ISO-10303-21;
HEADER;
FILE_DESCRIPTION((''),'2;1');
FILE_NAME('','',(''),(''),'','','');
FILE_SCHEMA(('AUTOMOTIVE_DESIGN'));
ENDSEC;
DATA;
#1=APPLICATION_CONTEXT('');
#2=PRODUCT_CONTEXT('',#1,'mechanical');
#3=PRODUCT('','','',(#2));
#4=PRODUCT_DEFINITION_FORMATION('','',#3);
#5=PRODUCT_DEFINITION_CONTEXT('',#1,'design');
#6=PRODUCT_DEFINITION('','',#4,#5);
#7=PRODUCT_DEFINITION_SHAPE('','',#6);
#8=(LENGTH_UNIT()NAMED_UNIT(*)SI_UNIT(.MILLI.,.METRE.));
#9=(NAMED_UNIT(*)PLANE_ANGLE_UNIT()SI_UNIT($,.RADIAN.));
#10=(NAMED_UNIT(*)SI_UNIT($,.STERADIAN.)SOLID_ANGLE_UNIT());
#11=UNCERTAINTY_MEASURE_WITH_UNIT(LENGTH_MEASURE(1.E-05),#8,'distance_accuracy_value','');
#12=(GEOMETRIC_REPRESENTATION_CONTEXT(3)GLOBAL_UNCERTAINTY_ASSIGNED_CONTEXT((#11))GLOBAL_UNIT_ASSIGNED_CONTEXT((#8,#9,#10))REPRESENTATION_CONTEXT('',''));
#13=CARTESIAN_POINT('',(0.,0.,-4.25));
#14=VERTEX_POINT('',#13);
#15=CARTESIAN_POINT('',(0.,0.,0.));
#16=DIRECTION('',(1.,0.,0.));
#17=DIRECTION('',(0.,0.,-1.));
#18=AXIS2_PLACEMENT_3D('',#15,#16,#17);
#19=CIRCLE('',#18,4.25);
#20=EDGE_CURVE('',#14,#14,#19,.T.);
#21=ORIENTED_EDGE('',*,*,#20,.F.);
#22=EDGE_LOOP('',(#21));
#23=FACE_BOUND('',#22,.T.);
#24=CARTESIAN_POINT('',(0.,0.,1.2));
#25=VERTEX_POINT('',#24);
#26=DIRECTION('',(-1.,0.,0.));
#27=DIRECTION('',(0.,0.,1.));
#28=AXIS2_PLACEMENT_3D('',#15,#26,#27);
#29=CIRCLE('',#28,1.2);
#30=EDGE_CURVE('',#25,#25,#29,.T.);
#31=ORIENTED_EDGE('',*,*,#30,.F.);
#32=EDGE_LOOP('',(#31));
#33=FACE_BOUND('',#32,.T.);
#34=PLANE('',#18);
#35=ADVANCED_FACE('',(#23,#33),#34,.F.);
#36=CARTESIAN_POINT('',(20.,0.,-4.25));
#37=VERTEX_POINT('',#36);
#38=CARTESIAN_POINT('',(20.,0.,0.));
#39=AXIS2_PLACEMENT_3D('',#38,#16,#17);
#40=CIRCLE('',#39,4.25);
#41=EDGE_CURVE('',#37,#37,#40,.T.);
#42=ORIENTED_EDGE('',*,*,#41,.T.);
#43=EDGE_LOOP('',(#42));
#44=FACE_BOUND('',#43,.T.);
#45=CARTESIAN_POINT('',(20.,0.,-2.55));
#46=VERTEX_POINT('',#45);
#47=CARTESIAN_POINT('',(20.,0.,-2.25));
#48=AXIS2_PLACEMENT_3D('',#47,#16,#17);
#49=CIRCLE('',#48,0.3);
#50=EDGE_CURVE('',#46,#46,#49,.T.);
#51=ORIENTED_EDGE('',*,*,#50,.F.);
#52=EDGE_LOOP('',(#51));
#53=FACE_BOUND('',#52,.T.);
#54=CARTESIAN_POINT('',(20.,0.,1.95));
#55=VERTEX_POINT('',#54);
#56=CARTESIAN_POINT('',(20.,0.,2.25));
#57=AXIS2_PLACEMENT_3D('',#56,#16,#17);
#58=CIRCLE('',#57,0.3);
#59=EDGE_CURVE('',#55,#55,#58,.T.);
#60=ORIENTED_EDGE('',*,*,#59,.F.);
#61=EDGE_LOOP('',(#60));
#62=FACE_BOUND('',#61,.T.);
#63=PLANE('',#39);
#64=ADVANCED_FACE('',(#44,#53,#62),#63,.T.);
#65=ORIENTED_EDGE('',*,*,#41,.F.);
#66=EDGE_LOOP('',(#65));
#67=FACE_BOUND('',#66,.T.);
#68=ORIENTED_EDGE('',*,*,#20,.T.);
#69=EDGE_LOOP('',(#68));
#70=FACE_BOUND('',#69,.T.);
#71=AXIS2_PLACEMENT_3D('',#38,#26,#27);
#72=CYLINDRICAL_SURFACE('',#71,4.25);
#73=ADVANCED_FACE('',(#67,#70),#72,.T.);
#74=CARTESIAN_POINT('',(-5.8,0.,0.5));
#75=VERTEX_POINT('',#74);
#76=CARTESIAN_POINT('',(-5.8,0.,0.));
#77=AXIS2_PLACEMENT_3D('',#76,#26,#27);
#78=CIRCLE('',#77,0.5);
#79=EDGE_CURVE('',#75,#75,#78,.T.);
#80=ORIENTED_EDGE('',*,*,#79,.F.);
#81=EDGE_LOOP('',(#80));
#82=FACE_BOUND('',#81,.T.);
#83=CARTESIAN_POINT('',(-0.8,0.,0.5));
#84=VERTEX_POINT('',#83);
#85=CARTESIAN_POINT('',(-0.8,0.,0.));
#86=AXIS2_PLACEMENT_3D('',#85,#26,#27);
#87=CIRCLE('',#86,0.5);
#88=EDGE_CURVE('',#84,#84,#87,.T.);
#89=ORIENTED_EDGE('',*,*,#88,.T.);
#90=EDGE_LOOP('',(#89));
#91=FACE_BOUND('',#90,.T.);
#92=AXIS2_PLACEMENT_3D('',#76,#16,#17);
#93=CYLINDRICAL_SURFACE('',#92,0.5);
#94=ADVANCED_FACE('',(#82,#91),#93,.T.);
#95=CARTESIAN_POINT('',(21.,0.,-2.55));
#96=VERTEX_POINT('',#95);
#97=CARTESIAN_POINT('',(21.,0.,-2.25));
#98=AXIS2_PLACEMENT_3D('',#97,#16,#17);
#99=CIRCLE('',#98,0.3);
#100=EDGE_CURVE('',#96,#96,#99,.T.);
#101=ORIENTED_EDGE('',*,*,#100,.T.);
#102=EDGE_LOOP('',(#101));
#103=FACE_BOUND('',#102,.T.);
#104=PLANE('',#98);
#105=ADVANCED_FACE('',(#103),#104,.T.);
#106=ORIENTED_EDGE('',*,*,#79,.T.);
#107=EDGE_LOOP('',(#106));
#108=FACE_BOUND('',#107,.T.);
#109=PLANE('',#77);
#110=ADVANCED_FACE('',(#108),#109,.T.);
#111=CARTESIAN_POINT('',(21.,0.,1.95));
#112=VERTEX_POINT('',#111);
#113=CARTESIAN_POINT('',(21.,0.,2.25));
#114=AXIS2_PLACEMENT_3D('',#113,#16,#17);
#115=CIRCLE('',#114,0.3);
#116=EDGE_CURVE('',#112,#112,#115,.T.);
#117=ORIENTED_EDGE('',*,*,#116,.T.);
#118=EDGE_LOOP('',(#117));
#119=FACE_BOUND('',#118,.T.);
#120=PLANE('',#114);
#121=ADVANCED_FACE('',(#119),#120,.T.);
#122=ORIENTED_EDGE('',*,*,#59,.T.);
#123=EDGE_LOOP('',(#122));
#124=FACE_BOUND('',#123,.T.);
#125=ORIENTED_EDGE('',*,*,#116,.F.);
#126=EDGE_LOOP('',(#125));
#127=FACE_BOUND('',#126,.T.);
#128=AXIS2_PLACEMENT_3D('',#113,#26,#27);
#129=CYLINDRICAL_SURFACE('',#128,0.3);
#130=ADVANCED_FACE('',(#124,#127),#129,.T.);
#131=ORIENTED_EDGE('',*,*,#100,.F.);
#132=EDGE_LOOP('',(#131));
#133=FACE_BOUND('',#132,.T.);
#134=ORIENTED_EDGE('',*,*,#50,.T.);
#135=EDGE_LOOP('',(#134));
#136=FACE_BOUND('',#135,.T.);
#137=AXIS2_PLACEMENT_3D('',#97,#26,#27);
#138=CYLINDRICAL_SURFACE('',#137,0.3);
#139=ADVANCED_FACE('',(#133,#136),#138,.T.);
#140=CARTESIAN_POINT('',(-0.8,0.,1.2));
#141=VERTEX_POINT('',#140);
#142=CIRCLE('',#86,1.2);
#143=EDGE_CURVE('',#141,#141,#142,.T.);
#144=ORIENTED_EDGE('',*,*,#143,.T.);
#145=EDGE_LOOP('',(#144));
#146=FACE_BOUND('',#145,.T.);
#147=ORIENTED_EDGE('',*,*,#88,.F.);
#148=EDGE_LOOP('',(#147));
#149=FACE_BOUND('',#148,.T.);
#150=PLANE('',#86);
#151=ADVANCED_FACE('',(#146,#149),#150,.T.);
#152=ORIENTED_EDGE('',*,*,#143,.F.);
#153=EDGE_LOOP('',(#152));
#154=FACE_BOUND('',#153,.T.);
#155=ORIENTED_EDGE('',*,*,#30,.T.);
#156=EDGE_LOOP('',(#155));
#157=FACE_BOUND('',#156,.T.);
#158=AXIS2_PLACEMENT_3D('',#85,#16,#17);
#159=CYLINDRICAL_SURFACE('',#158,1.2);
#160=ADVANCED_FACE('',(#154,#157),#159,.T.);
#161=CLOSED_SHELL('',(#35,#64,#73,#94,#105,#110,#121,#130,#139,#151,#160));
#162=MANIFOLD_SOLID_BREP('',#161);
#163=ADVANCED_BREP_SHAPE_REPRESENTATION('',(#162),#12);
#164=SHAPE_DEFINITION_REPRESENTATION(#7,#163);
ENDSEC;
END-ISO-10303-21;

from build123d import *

# Parameters (mm, degrees)
SKETCH1_R           = 4.25
BOSS_EXTRUDE1_DEPTH = 20
SKETCH2_R           = 1.2
BOSS_EXTRUDE2_DEPTH = 0.8
SKETCH3_R           = 0.5
BOSS_EXTRUDE3_DEPTH = 5
SKETCH4_R           = 0.3
BOSS_EXTRUDE4_DEPTH = 1


with BuildPart() as part:
    # Sketch1 → Boss-Extrude1 (new body)
    with BuildSketch(Plane(origin=(0, 0, 0), x_dir=(0, 0, -1), z_dir=(1, 0, 0))):
        Circle(SKETCH1_R)
    extrude(amount=BOSS_EXTRUDE1_DEPTH)

    # Sketch2 → Boss-Extrude2 (add)
    with BuildSketch(Plane.ZY):
        Circle(SKETCH2_R)
    extrude(amount=BOSS_EXTRUDE2_DEPTH)

    # Sketch3 → Boss-Extrude3 (add)
    with BuildSketch(Plane.ZY.offset(0.8)):
        Circle(SKETCH3_R)
    extrude(amount=BOSS_EXTRUDE3_DEPTH)

    # Sketch4 → Boss-Extrude4 (add)
    with BuildSketch(Plane(origin=(20, 0, 0), x_dir=(0, 0, -1), z_dir=(1, 0, 0))):
        with Locations((-2.25, 0)):
            Circle(SKETCH4_R)
        with Locations((2.25, 0)):
            Circle(SKETCH4_R)
    extrude(amount=BOSS_EXTRUDE4_DEPTH)


solid = part.part
